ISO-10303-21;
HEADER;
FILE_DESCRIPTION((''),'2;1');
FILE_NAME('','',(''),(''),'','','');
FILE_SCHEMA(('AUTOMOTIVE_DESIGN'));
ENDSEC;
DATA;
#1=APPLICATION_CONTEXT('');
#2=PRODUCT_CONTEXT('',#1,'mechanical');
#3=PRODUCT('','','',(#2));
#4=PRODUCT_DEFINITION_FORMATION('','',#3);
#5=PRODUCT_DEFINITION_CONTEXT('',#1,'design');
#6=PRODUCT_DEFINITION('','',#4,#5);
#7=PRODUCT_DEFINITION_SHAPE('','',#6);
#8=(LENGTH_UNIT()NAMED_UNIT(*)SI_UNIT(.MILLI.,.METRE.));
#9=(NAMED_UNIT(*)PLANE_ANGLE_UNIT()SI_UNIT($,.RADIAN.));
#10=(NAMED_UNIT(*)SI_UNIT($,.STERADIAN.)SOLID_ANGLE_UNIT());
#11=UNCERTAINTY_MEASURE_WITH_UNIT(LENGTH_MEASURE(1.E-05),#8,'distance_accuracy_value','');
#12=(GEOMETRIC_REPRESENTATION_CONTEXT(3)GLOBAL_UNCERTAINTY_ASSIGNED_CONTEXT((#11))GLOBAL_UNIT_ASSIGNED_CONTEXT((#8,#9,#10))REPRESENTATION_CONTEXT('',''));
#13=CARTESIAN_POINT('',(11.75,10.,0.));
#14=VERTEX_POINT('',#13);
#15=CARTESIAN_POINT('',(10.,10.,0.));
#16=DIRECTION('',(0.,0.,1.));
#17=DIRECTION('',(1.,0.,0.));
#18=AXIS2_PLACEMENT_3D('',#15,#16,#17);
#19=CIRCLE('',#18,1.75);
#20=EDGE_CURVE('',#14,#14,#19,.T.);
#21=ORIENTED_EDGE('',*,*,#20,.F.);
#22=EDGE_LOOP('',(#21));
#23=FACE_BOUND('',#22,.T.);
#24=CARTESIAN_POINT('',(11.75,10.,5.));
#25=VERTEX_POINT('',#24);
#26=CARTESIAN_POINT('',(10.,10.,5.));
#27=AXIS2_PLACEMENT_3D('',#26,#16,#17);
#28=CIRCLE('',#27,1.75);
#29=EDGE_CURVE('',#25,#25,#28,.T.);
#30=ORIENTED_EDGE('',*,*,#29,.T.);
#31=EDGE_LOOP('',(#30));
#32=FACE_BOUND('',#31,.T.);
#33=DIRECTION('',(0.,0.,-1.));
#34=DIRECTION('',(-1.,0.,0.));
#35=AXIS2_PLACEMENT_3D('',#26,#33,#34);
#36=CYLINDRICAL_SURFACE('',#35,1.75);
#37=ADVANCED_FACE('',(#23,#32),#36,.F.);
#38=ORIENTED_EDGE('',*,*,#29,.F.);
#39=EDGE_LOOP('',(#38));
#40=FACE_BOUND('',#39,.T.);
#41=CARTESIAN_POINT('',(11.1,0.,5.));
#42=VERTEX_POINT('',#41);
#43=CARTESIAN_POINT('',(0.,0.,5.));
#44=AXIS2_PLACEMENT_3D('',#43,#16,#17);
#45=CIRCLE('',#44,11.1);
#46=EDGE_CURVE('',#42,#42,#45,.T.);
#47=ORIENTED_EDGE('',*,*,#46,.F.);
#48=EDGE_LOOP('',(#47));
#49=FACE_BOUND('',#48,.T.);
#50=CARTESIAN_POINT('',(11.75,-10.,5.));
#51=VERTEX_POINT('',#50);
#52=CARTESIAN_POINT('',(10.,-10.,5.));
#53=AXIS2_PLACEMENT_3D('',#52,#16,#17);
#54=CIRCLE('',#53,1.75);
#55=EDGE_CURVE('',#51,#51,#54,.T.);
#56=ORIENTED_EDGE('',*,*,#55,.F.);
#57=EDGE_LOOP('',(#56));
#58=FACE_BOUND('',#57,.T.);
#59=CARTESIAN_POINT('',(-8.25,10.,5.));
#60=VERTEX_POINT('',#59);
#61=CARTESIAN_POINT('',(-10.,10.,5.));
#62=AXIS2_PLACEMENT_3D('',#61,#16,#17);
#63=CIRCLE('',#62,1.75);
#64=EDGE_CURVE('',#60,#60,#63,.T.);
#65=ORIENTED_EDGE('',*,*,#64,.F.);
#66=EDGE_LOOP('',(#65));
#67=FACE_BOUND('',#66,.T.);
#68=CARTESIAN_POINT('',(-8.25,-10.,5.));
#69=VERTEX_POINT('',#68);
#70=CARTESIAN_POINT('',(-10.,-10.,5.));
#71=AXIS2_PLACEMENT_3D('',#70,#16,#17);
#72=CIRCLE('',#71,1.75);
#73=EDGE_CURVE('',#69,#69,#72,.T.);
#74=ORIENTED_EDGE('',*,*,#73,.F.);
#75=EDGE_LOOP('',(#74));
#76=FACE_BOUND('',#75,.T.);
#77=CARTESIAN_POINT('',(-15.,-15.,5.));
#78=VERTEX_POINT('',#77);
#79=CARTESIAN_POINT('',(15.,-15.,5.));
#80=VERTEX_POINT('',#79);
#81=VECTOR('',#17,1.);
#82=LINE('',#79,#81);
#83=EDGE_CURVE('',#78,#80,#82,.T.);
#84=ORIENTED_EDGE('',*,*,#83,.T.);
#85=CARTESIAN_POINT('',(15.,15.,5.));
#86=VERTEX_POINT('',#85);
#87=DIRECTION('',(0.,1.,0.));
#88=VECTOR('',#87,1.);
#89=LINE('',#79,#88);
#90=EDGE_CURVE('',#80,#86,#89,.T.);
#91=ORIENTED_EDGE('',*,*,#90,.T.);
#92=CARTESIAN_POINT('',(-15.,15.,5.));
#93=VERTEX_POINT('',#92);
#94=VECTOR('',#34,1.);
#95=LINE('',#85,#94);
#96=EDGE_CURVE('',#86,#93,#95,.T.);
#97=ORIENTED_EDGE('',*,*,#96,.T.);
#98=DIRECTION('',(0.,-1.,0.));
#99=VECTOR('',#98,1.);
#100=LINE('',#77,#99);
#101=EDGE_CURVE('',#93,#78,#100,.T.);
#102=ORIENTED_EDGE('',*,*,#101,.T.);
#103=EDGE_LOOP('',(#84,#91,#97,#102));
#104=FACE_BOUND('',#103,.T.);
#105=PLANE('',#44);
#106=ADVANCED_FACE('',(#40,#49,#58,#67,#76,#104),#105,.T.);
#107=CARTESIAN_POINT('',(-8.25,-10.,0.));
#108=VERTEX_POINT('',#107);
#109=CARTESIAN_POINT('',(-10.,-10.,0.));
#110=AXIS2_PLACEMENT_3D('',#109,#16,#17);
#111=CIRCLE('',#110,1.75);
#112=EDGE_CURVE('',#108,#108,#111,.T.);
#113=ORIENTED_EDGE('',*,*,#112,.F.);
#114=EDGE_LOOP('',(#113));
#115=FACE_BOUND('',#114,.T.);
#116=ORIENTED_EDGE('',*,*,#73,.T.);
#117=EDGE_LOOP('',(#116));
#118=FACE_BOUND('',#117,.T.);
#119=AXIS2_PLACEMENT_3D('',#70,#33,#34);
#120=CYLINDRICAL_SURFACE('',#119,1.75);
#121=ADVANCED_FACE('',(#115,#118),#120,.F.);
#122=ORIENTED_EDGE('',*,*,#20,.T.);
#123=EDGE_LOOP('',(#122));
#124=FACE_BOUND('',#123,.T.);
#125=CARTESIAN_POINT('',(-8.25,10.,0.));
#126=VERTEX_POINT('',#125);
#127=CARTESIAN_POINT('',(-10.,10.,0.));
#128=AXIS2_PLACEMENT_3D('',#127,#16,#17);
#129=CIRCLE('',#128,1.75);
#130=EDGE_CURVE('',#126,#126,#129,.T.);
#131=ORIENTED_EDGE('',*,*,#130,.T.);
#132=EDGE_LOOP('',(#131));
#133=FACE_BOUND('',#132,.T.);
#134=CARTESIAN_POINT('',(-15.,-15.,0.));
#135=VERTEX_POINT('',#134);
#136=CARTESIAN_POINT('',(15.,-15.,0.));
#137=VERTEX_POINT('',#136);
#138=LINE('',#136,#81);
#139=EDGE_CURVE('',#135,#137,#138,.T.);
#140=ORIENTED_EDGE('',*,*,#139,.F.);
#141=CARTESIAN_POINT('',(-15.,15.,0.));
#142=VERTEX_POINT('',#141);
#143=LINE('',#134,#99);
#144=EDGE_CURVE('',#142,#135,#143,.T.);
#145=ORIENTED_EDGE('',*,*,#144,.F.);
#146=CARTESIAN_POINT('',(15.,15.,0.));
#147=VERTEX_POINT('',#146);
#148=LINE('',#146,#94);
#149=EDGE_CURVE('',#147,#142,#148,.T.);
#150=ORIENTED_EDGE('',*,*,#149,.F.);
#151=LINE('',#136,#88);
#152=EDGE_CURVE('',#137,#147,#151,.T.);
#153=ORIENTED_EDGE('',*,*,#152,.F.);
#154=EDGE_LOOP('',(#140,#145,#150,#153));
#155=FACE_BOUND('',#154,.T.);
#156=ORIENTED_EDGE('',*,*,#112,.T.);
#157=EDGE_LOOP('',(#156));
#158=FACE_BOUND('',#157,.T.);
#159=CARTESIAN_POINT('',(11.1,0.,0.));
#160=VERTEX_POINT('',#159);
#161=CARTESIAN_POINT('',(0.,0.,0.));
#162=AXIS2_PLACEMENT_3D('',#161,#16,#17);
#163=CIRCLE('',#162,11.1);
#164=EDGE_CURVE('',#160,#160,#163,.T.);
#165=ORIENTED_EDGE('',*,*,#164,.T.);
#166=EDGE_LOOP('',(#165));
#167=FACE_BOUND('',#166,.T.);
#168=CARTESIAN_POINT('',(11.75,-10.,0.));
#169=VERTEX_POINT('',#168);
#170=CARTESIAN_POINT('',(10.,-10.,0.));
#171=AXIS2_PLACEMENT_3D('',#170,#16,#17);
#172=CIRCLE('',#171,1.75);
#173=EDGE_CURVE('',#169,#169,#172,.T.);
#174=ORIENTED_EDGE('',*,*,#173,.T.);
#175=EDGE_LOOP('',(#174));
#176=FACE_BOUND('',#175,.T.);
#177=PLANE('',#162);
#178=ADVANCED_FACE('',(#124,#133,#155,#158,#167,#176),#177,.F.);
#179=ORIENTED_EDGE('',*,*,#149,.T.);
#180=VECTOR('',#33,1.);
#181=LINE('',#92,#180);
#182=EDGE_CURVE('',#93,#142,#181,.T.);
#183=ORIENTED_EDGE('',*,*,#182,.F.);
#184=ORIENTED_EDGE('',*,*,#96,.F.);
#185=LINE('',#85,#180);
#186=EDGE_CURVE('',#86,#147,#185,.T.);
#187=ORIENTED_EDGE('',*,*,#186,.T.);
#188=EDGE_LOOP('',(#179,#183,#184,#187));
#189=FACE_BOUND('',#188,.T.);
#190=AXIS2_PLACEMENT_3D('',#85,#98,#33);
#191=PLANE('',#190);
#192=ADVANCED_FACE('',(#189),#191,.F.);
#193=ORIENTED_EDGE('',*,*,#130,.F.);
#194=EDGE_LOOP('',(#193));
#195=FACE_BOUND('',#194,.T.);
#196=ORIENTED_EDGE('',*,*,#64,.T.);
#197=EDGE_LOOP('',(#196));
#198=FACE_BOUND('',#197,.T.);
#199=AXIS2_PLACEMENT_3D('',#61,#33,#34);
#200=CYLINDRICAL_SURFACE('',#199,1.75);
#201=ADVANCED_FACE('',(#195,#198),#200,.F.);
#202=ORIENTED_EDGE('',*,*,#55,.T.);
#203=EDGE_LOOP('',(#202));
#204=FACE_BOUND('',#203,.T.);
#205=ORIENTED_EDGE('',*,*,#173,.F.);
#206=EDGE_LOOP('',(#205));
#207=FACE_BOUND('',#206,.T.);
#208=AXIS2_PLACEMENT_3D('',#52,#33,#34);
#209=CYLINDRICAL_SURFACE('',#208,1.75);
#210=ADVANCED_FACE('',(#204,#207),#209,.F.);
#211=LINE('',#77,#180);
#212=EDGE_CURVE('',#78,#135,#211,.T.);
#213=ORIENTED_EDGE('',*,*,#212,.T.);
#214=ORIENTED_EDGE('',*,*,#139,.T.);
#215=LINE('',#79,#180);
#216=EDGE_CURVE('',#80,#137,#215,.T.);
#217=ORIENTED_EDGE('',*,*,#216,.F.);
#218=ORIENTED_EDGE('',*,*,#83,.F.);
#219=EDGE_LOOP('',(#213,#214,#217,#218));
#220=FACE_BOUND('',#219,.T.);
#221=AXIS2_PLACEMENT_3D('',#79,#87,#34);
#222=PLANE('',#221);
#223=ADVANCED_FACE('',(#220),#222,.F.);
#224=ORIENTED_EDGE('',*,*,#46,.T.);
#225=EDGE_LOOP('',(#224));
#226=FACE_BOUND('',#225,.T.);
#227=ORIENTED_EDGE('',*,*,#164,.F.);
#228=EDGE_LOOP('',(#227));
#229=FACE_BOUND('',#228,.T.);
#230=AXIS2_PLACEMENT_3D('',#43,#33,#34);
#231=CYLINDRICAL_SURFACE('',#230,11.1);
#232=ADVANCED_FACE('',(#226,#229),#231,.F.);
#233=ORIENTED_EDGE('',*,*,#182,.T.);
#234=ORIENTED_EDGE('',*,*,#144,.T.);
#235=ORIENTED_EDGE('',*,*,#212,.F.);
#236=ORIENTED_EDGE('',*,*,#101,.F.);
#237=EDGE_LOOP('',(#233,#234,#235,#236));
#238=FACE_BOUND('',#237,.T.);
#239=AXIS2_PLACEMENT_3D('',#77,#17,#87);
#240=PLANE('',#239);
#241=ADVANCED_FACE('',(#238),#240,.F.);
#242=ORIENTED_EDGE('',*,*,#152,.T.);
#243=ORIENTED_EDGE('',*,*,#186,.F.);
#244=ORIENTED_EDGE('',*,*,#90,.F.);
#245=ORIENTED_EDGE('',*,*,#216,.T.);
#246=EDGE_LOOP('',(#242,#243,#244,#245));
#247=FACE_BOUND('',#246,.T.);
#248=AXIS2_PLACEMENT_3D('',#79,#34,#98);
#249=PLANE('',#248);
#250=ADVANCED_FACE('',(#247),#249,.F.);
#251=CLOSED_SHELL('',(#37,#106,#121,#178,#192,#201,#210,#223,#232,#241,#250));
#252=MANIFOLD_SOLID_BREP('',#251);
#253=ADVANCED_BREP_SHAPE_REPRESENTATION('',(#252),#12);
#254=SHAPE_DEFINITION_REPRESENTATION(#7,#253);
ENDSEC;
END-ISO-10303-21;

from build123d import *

# Parameters (mm, degrees)
SCHIZZO1_W                   = 30
SCHIZZO1_H                   = 30
SCHIZZO1_R                   = 1.75
SCHIZZO1_R_2                 = 11.1
ESTRUSIONE_ESTRUSIONE1_DEPTH = 5


with BuildPart() as part:
    # Schizzo1 → Estrusione-Estrusione1 (new body)
    with BuildSketch(Plane.XY):
        Rectangle(SCHIZZO1_W, SCHIZZO1_H)
        with Locations((-10, 10)):
            Circle(SCHIZZO1_R, mode=Mode.SUBTRACT)
        with Locations((10, 10)):
            Circle(SCHIZZO1_R, mode=Mode.SUBTRACT)
        with Locations((10, -10)):
            Circle(SCHIZZO1_R, mode=Mode.SUBTRACT)
        with Locations((-10, -10)):
            Circle(SCHIZZO1_R, mode=Mode.SUBTRACT)
        Circle(SCHIZZO1_R_2, mode=Mode.SUBTRACT)
    extrude(amount=ESTRUSIONE_ESTRUSIONE1_DEPTH)


solid = part.part
